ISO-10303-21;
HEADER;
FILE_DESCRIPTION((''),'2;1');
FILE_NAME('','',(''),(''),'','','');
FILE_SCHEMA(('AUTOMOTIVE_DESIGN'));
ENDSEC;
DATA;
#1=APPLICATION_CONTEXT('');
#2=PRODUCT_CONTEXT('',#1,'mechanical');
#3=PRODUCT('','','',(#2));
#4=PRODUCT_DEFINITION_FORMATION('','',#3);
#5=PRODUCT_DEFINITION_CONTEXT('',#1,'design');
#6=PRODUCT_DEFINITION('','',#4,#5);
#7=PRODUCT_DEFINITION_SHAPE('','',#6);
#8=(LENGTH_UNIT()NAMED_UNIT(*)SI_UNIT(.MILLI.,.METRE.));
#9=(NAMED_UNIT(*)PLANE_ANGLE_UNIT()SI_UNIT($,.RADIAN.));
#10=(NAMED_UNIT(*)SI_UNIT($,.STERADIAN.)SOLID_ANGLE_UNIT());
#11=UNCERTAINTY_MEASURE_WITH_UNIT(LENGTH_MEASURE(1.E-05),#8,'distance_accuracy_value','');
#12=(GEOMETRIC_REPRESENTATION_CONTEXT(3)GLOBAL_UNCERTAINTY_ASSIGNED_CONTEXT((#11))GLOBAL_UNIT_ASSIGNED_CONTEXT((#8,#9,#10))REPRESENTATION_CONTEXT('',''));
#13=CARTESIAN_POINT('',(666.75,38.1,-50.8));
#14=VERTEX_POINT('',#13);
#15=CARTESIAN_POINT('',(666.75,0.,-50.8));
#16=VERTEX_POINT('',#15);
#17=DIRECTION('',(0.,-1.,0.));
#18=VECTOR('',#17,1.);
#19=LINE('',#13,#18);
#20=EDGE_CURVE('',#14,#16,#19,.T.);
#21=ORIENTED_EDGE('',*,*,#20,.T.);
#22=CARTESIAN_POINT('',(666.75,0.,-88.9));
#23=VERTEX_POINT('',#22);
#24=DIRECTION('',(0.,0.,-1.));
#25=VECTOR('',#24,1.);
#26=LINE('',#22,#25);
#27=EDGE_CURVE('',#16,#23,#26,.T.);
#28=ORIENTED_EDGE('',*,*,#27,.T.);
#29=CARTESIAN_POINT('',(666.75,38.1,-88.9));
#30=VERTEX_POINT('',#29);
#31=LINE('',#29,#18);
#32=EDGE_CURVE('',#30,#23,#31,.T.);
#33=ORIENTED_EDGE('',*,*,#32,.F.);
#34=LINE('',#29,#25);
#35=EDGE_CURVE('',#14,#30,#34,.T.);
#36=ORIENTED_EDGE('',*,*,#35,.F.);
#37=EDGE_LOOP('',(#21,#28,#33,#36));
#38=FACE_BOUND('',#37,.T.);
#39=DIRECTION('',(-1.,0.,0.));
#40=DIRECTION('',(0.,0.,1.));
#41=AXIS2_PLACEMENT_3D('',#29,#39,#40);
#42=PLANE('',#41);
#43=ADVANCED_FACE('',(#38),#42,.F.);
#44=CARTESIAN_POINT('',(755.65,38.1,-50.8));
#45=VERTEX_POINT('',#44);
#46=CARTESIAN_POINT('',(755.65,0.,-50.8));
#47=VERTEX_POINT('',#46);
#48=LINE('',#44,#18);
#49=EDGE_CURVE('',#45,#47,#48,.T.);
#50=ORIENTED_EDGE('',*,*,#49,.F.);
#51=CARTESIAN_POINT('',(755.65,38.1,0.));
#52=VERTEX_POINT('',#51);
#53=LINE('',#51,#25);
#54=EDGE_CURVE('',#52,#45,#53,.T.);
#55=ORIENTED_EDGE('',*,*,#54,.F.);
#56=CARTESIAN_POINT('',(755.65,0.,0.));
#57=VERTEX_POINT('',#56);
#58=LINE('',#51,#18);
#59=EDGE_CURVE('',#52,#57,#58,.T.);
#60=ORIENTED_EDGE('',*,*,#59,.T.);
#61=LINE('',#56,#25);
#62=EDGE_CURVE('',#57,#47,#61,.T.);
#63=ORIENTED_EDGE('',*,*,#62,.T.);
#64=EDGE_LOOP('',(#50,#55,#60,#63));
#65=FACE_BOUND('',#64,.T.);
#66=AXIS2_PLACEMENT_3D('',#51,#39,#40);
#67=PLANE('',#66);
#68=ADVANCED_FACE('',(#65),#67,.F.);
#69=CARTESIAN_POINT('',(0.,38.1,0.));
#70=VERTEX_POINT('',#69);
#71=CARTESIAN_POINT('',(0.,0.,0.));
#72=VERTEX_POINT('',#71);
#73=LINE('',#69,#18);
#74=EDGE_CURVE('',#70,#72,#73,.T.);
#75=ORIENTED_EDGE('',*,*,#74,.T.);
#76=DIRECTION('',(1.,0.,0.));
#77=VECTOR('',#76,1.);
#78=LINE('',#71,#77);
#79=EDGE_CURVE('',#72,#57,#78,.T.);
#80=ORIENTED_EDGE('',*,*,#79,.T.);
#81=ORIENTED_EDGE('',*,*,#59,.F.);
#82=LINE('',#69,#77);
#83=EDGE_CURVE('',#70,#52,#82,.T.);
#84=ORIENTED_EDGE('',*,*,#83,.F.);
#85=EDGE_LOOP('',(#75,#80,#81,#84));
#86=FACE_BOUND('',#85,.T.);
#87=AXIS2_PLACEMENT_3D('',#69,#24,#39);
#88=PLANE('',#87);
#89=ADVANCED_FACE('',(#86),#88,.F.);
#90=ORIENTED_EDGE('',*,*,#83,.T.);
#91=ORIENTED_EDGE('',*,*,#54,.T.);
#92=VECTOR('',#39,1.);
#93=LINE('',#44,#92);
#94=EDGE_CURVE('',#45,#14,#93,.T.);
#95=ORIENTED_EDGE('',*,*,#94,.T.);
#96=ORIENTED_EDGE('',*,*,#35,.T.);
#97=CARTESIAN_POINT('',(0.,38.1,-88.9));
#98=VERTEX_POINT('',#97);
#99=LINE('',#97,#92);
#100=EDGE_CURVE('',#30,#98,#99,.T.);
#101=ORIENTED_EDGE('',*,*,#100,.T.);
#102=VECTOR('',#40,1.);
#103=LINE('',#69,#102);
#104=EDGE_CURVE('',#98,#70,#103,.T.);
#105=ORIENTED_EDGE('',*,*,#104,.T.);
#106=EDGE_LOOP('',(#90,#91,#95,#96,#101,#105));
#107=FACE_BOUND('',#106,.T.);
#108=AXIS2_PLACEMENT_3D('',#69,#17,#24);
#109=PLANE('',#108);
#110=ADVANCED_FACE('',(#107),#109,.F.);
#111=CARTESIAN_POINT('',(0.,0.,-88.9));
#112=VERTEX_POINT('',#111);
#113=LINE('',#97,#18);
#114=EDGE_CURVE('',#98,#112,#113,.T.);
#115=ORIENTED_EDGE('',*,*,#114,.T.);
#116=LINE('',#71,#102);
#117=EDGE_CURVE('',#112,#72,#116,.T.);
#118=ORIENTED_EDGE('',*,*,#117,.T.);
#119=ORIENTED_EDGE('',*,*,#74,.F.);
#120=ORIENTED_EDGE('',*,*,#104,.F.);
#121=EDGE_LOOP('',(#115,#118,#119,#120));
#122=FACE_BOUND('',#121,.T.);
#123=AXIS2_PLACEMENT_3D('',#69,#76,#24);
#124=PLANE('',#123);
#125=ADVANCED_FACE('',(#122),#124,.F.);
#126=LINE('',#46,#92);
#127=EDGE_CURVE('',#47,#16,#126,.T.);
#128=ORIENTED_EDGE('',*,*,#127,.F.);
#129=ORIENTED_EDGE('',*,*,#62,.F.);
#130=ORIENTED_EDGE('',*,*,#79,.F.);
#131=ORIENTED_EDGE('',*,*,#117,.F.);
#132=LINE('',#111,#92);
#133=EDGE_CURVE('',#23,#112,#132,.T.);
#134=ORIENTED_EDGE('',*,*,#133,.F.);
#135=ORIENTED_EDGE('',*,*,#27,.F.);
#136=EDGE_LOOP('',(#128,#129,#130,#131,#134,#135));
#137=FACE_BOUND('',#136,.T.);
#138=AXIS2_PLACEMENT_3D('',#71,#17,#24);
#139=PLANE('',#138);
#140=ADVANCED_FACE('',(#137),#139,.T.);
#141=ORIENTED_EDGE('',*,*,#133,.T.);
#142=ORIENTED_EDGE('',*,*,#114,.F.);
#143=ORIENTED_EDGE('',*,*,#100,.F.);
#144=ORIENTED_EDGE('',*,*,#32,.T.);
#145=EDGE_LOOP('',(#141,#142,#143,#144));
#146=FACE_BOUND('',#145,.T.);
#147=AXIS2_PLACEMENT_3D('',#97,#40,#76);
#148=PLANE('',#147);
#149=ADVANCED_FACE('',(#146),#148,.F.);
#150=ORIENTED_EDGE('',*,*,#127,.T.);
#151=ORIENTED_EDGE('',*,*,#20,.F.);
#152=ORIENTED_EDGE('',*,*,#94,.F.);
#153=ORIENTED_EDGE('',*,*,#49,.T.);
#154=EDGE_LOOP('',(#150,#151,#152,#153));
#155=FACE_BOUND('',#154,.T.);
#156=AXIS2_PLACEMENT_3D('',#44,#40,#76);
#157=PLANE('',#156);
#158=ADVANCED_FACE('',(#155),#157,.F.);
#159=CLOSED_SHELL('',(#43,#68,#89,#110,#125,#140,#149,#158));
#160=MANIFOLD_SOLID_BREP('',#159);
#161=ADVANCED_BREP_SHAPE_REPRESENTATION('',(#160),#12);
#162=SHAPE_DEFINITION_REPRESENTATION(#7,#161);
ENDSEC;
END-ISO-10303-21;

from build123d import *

# Parameters (mm, degrees)
SKETCH1_W           = 755.65
SKETCH1_H           = 88.9
BOSS_EXTRUDE1_DEPTH = 38.1
SKETCH2_W           = 88.9
SKETCH2_H           = 38.1
CUT_EXTRUDE1_DEPTH  = 39.1


with BuildPart() as part:
    # Sketch1 → Boss-Extrude1 (new body)
    with BuildSketch(Plane(origin=(0, 0, 0), x_dir=(1, 0, 0), z_dir=(0, 1, 0))):
        with Locations((377.825, 44.45)):
            Rectangle(SKETCH1_W, SKETCH1_H)
    extrude(amount=BOSS_EXTRUDE1_DEPTH)

    # Sketch2 → Cut-Extrude1 (cut, through all)
    with BuildSketch(Plane.XZ):
        with Locations((711.2, -69.85)):
            Rectangle(SKETCH2_W, SKETCH2_H)
    extrude(amount=-CUT_EXTRUDE1_DEPTH, mode=Mode.SUBTRACT)


solid = part.part
